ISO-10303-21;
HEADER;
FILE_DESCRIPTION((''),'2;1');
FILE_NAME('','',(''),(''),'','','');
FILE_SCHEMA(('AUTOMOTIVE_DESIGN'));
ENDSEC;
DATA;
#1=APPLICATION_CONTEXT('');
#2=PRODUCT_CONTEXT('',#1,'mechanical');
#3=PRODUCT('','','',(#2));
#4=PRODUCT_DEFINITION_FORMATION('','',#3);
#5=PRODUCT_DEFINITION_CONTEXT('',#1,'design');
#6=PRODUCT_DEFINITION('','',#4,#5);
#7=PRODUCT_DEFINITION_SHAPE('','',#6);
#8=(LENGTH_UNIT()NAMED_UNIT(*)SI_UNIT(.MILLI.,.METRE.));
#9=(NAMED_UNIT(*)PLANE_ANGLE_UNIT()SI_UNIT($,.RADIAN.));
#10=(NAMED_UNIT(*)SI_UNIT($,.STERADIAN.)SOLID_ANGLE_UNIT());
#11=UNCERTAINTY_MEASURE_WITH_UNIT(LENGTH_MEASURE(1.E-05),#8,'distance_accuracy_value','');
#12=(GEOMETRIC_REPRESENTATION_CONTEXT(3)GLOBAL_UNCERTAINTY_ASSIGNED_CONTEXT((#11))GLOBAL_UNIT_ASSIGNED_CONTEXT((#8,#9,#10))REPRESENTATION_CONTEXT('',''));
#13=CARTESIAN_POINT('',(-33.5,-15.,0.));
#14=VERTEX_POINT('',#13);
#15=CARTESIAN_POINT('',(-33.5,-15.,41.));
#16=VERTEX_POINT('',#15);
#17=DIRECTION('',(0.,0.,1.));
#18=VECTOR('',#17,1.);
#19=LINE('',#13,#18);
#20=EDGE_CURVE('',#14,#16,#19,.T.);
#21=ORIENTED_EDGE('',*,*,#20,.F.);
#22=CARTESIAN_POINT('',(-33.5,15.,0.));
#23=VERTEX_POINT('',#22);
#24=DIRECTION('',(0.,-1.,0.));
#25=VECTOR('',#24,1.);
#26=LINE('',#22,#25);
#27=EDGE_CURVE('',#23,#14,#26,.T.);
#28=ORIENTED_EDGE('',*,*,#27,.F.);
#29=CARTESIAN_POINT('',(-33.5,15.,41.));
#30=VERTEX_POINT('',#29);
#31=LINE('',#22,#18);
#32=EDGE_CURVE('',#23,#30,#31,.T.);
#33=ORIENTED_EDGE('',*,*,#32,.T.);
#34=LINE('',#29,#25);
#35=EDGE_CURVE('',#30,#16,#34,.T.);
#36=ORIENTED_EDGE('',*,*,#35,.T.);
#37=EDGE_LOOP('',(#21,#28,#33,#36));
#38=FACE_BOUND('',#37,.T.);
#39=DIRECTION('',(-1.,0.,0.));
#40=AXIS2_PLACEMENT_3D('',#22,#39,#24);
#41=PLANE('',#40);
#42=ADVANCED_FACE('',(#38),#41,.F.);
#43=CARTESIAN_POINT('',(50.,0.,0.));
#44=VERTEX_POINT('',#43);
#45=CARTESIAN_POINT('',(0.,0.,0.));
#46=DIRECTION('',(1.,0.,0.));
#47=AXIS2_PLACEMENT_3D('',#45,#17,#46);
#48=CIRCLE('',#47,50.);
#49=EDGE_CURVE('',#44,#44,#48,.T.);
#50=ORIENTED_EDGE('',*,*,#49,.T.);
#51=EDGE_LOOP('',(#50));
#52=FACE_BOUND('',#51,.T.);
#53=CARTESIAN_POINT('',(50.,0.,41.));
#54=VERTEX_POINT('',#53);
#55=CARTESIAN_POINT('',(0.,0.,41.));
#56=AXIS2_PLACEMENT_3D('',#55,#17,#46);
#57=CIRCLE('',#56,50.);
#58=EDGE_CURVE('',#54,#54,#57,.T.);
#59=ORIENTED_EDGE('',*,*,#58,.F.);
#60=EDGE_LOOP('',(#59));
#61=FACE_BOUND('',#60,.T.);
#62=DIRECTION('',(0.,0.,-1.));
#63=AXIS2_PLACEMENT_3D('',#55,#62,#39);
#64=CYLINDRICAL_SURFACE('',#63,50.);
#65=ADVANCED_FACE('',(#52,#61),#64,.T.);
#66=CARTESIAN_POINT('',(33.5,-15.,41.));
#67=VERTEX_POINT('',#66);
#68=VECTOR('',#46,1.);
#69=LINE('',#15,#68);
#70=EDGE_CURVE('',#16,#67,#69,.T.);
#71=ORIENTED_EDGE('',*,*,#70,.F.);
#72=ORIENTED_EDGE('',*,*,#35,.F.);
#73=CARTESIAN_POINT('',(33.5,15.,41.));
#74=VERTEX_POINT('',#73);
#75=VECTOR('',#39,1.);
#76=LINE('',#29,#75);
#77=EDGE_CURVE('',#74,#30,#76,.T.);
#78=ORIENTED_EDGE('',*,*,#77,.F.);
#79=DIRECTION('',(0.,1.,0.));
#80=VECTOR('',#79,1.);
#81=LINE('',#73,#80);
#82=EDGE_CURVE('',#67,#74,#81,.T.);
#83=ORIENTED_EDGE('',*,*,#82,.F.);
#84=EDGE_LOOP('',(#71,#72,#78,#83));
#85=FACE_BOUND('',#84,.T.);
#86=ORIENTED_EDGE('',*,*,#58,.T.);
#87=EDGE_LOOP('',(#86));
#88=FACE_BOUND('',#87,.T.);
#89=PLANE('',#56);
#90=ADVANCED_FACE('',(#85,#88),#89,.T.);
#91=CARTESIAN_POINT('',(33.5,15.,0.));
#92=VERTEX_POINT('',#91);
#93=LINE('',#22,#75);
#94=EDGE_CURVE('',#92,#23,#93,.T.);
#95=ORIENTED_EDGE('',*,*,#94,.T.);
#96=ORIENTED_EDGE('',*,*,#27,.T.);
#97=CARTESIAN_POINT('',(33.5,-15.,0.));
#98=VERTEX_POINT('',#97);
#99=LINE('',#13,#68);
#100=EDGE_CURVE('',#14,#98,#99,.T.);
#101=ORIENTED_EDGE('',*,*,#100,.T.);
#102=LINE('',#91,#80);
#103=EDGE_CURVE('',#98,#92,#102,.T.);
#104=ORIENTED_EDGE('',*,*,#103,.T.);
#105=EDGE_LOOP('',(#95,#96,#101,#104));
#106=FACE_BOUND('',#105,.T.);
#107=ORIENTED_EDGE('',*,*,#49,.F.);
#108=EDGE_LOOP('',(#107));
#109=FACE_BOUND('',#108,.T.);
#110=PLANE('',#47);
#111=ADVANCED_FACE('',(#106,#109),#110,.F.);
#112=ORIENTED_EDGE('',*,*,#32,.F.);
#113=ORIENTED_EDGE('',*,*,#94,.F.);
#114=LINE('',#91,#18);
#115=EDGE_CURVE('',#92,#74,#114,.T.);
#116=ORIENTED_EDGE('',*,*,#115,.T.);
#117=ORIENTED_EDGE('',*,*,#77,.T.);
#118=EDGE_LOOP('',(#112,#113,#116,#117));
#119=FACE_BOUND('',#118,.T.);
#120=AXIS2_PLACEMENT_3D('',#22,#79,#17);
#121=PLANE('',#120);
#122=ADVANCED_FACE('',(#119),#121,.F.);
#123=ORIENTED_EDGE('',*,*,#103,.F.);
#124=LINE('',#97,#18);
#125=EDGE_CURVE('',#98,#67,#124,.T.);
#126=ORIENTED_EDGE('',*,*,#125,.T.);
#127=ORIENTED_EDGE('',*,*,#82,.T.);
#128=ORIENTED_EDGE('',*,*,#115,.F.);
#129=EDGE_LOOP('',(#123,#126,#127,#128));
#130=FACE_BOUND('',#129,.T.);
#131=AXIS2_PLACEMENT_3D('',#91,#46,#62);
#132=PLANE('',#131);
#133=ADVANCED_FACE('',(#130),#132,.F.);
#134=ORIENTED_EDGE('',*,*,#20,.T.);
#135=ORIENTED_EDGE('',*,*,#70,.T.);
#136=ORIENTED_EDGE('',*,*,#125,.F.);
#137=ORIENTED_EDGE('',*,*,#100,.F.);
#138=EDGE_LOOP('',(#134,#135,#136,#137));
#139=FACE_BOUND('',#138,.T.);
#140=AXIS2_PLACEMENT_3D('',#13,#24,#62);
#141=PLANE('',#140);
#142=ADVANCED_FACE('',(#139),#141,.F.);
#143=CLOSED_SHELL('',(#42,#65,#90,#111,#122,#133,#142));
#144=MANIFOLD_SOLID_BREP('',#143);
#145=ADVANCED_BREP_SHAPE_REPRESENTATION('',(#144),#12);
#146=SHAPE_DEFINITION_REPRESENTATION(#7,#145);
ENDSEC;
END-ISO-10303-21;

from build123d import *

# Parameters (mm, degrees)
SKETCH1_R           = 50
BOSS_EXTRUDE1_DEPTH = 41
SKETCH2_W           = 67
SKETCH2_H           = 30
CUT_EXTRUDE1_DEPTH  = 41


with BuildPart() as part:
    # Sketch1 → Boss-Extrude1 (new body)
    with BuildSketch(Plane.XY):
        Circle(SKETCH1_R)
    extrude(amount=BOSS_EXTRUDE1_DEPTH)

    # Sketch2 → Cut-Extrude1 (cut)
    with BuildSketch(Plane.XY.offset(41)):
        Rectangle(SKETCH2_W, SKETCH2_H)
    extrude(amount=-CUT_EXTRUDE1_DEPTH, mode=Mode.SUBTRACT)


solid = part.part
